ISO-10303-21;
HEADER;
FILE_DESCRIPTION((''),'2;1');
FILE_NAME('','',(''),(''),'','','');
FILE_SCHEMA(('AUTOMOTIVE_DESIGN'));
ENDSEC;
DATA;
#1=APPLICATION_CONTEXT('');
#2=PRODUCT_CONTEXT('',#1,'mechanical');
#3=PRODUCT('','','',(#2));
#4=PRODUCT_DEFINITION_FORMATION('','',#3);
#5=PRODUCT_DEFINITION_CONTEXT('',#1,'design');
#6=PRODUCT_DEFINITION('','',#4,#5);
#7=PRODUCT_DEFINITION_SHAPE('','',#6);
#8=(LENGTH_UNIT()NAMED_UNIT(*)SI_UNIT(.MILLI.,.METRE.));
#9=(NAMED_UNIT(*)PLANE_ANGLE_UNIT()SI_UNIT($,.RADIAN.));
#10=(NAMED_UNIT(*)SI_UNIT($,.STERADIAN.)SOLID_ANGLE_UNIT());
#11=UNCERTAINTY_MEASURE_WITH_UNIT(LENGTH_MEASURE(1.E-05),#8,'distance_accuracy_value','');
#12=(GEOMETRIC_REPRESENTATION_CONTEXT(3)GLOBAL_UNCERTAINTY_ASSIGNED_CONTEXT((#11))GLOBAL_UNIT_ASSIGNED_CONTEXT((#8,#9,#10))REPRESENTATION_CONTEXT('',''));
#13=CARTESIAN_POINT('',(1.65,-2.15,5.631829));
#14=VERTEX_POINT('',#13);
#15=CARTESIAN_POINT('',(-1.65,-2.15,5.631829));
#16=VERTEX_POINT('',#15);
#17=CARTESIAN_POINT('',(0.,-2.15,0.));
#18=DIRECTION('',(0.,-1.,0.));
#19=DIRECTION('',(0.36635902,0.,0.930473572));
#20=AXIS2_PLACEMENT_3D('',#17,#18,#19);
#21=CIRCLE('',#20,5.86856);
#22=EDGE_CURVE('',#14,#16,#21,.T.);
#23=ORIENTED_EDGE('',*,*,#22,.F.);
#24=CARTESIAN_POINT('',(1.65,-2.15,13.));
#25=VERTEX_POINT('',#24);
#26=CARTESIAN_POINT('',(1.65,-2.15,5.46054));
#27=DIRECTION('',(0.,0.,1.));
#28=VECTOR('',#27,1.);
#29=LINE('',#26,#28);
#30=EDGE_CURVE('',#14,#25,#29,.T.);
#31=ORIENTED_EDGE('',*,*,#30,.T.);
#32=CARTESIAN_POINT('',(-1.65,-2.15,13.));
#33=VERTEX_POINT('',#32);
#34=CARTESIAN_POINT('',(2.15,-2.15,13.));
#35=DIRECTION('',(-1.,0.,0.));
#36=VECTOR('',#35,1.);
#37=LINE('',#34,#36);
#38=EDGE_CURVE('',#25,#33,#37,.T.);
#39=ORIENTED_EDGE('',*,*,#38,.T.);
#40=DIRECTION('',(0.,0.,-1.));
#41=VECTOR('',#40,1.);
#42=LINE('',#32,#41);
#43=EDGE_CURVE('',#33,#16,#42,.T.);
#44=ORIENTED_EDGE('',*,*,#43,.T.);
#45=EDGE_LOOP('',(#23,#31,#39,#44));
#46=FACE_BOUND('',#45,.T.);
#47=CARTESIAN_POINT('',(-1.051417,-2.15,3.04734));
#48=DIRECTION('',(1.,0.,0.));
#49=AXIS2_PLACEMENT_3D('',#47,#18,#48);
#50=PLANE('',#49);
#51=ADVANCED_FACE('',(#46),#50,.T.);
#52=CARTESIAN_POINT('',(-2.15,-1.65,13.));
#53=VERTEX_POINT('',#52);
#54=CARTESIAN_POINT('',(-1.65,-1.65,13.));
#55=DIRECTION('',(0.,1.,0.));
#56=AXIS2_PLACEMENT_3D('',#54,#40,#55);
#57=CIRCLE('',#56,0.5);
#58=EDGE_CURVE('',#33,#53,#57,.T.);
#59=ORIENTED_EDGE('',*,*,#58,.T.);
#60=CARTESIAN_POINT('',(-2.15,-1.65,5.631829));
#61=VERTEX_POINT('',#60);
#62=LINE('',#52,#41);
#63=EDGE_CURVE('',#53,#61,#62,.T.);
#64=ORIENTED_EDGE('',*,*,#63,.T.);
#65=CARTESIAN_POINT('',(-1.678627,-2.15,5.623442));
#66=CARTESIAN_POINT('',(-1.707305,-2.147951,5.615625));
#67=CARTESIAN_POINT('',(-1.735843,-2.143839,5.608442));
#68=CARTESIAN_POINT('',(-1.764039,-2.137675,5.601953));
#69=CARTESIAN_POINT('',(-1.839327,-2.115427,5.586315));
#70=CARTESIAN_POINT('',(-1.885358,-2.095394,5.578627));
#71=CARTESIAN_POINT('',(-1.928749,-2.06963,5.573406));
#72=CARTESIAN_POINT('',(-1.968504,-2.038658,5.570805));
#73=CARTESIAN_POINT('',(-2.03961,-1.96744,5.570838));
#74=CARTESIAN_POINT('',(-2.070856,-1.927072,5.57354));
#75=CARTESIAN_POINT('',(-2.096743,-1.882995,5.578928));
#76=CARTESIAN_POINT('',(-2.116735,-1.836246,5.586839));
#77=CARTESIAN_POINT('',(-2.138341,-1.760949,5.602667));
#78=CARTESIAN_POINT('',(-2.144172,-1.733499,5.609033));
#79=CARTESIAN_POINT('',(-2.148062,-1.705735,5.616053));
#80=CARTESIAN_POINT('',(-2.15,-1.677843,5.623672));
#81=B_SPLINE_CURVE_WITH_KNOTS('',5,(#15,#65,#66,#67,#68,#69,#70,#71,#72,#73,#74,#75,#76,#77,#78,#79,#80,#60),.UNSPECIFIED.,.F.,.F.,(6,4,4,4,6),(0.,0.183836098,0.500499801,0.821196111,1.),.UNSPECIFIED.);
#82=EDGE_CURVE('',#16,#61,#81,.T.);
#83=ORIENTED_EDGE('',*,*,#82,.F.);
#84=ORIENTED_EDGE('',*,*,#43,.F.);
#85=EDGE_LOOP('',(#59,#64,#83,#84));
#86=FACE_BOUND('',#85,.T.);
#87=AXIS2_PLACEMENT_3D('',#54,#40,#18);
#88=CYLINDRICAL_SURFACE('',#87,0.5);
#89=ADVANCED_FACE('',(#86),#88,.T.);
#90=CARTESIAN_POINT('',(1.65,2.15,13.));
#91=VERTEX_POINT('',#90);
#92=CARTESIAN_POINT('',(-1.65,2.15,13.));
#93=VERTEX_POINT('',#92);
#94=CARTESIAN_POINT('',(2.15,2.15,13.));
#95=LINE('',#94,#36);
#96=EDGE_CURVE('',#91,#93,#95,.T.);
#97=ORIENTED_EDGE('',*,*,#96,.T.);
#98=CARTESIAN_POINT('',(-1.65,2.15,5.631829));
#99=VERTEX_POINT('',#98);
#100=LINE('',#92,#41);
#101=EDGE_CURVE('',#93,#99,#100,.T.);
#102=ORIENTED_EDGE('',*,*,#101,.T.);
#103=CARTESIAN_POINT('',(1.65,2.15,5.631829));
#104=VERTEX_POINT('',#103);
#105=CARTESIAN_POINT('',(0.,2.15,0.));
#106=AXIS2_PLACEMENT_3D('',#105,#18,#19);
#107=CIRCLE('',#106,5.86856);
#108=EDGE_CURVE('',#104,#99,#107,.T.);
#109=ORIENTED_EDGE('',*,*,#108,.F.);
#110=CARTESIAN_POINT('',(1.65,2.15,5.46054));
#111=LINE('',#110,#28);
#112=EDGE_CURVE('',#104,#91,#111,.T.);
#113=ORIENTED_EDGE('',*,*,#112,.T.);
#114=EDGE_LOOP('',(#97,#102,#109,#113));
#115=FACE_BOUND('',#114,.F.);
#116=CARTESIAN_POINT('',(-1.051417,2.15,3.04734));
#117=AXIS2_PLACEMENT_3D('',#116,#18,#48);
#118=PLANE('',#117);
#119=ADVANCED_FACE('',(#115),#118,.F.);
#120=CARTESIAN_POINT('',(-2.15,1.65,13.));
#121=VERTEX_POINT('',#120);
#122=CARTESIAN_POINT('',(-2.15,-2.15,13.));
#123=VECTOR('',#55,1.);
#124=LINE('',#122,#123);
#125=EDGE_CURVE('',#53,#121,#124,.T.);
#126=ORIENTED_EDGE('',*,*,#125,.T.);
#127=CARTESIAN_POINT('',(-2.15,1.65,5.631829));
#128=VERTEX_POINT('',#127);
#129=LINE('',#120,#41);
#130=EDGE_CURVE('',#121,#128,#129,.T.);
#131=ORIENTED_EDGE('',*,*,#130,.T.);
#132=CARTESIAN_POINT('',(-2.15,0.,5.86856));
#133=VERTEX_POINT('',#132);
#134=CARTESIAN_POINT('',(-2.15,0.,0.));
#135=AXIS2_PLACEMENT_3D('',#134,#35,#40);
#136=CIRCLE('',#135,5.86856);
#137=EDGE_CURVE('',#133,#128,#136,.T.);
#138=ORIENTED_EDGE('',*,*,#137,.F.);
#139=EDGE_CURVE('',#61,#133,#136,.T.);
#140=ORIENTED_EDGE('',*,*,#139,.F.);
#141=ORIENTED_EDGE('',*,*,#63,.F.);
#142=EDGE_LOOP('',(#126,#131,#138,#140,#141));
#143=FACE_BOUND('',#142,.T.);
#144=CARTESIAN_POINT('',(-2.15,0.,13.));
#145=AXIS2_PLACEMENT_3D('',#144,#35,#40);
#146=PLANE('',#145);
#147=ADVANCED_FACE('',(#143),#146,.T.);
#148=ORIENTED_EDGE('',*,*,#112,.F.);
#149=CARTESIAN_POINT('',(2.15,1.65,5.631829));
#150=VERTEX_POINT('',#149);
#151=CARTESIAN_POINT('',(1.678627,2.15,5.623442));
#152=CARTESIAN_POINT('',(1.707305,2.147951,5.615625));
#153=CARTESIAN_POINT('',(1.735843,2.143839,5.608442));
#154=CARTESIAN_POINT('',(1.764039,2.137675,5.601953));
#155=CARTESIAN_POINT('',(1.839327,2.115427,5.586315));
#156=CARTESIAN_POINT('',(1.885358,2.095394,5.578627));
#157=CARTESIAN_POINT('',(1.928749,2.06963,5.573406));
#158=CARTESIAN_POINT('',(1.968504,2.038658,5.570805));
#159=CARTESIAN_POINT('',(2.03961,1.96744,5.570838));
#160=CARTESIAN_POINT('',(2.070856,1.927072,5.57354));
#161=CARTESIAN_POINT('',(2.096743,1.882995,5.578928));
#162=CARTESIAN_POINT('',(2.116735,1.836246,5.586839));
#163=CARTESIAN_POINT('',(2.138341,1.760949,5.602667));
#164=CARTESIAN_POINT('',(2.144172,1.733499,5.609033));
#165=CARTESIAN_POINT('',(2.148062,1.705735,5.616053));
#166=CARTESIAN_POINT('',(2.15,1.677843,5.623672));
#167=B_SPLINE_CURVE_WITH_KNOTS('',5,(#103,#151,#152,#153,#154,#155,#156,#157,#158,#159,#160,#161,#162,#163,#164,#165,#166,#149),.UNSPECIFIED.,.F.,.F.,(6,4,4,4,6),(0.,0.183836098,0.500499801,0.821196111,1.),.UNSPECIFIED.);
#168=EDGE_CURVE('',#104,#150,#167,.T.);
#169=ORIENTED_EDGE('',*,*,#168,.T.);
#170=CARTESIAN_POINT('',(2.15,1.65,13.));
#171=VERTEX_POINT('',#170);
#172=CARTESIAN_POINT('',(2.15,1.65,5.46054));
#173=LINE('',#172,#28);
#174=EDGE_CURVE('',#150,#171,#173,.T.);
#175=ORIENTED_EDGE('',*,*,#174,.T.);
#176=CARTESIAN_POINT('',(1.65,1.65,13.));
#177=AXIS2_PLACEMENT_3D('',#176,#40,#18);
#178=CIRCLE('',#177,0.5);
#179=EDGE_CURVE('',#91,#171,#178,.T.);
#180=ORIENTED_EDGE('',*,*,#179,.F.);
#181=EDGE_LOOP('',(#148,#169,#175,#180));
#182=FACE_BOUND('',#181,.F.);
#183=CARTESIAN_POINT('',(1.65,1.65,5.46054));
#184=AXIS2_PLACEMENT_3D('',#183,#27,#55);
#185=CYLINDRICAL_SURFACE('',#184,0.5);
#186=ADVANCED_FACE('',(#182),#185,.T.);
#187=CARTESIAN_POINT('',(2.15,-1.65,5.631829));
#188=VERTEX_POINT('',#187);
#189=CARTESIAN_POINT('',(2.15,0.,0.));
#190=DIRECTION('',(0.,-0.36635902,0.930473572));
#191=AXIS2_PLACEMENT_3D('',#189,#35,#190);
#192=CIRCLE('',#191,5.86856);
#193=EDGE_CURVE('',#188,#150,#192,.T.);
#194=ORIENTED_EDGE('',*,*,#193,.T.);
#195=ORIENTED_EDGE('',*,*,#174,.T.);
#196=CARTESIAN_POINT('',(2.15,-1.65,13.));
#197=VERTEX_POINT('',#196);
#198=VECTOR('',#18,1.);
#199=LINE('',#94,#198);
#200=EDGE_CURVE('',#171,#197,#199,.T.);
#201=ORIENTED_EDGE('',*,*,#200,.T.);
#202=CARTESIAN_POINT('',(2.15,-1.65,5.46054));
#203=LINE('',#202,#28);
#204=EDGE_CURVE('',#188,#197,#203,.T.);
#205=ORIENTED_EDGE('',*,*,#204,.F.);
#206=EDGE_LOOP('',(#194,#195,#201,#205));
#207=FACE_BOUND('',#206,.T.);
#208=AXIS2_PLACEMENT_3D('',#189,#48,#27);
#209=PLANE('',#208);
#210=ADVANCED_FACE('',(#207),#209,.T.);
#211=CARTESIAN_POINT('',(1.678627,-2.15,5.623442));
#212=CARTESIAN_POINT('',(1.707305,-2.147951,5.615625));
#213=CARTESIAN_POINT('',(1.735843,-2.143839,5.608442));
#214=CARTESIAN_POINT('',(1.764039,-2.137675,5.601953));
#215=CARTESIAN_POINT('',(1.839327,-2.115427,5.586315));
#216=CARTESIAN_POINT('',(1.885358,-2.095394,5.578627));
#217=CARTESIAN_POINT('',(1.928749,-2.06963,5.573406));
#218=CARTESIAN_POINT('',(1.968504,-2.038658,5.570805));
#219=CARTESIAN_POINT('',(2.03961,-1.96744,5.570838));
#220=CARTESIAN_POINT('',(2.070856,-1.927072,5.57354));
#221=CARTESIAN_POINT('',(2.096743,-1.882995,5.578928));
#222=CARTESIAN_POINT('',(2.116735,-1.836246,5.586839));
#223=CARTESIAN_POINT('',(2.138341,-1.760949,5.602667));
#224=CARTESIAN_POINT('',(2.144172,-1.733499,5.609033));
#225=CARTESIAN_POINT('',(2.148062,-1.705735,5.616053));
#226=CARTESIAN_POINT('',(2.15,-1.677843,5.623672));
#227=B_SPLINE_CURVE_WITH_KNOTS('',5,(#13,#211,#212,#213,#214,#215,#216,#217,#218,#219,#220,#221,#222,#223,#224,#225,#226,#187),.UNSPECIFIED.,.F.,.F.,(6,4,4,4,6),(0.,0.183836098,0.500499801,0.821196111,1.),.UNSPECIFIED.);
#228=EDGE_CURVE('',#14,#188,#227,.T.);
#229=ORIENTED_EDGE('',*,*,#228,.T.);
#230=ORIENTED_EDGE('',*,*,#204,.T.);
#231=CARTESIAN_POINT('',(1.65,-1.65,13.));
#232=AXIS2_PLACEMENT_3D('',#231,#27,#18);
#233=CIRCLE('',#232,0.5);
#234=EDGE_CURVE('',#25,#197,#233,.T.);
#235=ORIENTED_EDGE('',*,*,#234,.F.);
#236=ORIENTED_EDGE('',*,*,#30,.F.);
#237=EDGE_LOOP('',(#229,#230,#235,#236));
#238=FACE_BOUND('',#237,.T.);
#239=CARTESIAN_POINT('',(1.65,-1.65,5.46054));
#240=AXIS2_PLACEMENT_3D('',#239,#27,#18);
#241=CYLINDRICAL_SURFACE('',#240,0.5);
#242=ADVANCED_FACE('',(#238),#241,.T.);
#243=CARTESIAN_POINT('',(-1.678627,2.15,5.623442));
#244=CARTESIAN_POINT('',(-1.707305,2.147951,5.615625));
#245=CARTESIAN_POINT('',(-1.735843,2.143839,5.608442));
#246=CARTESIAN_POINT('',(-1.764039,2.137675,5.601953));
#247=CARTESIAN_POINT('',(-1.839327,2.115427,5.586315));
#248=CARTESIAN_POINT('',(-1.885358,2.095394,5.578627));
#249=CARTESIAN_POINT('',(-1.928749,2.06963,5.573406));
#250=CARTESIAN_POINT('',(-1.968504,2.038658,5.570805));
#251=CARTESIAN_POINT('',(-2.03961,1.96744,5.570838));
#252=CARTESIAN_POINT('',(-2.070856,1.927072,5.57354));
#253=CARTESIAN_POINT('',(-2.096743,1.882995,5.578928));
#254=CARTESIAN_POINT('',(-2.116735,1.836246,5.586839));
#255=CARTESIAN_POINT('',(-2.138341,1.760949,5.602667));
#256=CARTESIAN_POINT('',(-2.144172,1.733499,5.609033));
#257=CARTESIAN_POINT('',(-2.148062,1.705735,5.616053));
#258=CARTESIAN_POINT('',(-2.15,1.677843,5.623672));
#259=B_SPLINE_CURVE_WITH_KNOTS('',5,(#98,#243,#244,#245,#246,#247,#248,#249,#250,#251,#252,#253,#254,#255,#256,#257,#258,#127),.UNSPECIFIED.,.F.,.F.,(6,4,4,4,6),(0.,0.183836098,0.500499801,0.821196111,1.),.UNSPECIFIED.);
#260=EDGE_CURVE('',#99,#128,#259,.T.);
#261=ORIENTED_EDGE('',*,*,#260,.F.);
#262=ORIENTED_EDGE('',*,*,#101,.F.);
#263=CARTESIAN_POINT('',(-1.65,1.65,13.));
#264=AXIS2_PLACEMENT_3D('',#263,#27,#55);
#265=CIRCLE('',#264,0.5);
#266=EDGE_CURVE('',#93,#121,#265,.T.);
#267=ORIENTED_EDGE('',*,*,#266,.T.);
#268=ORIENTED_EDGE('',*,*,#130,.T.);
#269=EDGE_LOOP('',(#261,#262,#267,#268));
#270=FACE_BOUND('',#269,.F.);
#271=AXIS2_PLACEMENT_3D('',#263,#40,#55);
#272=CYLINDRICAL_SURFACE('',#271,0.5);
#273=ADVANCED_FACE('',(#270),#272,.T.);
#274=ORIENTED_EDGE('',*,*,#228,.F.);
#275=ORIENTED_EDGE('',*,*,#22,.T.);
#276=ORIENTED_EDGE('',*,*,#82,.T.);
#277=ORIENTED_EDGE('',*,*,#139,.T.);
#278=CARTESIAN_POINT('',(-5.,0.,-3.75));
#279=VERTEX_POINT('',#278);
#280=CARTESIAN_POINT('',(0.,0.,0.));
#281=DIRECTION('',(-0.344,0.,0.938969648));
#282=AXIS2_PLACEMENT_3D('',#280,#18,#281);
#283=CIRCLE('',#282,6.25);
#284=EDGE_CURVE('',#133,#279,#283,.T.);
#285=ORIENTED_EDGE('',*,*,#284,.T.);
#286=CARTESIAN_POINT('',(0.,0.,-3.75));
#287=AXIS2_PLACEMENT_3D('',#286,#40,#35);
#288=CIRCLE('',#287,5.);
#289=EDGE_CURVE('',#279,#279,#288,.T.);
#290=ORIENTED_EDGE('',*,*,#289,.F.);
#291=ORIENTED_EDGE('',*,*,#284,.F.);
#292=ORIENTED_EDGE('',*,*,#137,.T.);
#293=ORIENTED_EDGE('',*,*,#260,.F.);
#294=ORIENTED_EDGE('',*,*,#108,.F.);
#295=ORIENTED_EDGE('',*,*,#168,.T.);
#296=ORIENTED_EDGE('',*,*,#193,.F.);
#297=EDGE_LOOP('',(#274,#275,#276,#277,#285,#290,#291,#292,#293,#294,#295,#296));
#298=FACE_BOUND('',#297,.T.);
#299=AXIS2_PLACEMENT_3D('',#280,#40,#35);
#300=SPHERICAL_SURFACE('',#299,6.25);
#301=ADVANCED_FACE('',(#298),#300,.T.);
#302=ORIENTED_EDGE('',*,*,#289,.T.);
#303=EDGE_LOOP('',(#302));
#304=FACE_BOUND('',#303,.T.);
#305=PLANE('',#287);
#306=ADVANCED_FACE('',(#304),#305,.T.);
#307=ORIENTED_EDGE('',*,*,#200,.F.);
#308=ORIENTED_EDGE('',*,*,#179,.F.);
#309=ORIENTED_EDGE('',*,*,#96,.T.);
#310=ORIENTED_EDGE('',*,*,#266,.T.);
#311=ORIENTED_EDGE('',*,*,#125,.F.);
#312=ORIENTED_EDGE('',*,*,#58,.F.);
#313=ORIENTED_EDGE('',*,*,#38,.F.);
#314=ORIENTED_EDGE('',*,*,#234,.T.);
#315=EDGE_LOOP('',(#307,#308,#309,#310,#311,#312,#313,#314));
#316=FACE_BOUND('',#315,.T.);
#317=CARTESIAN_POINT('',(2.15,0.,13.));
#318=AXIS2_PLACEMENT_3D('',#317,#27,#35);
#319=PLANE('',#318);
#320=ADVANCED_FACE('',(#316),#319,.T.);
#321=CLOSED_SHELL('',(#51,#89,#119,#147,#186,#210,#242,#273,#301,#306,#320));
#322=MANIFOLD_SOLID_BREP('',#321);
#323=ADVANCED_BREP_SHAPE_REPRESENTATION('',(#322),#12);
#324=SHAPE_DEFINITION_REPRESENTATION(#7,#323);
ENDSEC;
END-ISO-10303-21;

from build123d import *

# Parameters (mm, degrees)
F2_DEPTH = 2.15
F3_R     = 0.5


with BuildPart() as f1:
    # F0 (on Front) → F1 (revolve)
    with BuildSketch(Plane.XZ):
        with BuildLine():
            Line((-2.15, 0), (-2.15, 5.8685603004))
            ThreePointArc((-2.15, 5.8685603004), (-5.9924786661, 1.7755842522), (-5, -3.75))
            Line((-5, -3.75), (0, -3.75))
            Line((0, -3.75), (0, 0))
            Line((0, 0), (-2.15, 0))
        make_face()
        with BuildLine():
            Line((0, 0), (0, 6.25))
            ThreePointArc((0, 6.25), (-1.0917870951, 6.153901278), (-2.15, 5.8685603004))
            Line((-2.15, 5.8685603004), (-2.15, 0))
            Line((-2.15, 0), (0, 0))
        make_face()
    revolve(axis=Axis((0, 0, 1.25), (0, 0, -1)))

    # F0 (on Front) → F2 (join, symmetric)
    with BuildSketch(Plane.XZ):
        with BuildLine():
            Line((0, 0), (0, 6.25))
            ThreePointArc((0, 6.25), (-1.0917870951, 6.153901278), (-2.15, 5.8685603004))
            Line((-2.15, 5.8685603004), (-2.15, 0))
            Line((-2.15, 0), (0, 0))
        make_face()
        with BuildLine():
            ThreePointArc((-2.15, 5.8685603004), (-1.0917870951, 6.153901278), (0, 6.25))
            Line((0, 6.25), (0, 0))
            Line((0, 0), (2.15, 0))
            Line((2.15, 0), (2.15, 13))
            Line((2.15, 13), (-2.15, 13))
            Line((-2.15, 13), (-2.15, 5.8685603004))
        make_face()
    extrude(amount=F2_DEPTH, both=True)

    # F3
    f3_edges = [f1.edges().sort_by_distance(p)[0] for p in [
        (-2.15, -2.15, 9.23027),
        (-2.15, 2.15, 9.23027),
        (2.15, -2.15, 9.23027),
        (2.15, 2.15, 9.23027),
    ]]
    fillet(f3_edges, radius=F3_R)


solid = f1.part
